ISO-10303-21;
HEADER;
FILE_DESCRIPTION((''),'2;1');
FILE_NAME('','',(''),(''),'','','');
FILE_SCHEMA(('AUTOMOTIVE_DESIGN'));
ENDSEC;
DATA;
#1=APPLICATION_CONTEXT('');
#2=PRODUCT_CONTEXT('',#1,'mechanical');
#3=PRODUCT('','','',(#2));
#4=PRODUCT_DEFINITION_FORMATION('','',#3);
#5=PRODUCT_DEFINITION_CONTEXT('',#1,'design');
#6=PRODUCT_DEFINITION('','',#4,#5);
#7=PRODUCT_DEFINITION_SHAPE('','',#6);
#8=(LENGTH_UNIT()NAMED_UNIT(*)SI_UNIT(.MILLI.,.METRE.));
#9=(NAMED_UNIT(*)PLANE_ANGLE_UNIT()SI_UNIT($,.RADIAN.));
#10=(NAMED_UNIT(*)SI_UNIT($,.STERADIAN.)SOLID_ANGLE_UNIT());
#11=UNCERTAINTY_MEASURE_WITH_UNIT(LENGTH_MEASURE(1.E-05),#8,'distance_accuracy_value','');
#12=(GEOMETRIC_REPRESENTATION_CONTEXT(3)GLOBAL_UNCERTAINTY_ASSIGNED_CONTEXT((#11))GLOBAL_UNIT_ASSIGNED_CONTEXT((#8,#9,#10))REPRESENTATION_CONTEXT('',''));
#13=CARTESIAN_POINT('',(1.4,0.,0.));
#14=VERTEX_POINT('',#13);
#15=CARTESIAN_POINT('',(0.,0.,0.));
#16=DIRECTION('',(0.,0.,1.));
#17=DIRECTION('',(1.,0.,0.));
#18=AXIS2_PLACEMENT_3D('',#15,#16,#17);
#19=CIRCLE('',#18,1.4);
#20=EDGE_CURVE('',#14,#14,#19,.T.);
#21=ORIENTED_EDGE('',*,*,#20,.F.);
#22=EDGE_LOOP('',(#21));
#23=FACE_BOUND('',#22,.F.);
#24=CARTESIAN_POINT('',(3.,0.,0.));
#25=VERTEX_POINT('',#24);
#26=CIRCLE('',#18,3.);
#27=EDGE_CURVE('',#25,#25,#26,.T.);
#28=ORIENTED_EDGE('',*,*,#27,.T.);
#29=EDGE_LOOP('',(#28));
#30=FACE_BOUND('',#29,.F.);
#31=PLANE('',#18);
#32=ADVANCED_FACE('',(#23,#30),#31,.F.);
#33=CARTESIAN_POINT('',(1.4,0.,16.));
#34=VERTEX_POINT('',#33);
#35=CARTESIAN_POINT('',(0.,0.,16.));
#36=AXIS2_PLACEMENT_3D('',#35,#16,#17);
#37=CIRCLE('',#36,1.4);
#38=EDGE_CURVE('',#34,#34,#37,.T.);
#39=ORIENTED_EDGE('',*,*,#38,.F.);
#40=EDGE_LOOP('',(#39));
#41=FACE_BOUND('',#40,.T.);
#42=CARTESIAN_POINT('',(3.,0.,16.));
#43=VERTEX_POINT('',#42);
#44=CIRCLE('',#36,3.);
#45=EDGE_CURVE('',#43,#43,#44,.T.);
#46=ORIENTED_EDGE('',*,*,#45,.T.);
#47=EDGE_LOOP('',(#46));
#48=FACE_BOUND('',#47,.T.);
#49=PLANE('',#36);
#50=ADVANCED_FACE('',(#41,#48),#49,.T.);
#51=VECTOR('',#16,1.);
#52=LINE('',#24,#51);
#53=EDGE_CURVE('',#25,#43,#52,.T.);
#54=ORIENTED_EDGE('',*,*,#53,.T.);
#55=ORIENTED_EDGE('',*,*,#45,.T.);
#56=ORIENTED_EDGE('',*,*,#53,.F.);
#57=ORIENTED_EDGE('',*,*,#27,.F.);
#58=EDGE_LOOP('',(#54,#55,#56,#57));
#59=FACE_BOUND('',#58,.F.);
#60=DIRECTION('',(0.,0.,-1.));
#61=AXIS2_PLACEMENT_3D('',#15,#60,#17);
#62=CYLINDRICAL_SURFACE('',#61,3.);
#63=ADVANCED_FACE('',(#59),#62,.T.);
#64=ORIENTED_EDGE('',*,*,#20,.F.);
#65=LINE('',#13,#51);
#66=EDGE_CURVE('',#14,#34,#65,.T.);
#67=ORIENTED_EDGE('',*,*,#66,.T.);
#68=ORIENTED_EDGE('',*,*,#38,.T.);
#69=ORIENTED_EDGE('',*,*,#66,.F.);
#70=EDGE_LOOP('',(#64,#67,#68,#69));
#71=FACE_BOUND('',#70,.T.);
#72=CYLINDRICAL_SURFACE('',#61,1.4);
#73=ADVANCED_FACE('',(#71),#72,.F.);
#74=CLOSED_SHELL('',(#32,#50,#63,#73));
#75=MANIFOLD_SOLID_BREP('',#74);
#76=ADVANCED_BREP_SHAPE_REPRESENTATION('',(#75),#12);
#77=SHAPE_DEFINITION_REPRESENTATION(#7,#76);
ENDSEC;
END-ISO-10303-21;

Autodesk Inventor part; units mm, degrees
ref_plane "YZ Plane" through (0, 0, 0) normal (1, 0, 0) x (0, 1, 0)
ref_plane "XZ Plane" through (0, 0, 0) normal (0, 1, 0) x (-1, 0, 0)
ref_plane "XY Plane" through (0, 0, 0) normal (0, 0, 1) x (1, 0, 0)
sketch "スケッチ1" plane through (0, 0, 0) normal (0, 0, 1) x (1, 0, 0)
  circle A0 centre (0, 0) radius 3
  circle A1 centre (0, 0) radius 1.4
  dimension "d0" = 6
  dimension "d1" = 2.8
extrude "押し出し1" add sketch "スケッチ1" along normal blind 16
properties part number "12mm" material "アルミニウム"
